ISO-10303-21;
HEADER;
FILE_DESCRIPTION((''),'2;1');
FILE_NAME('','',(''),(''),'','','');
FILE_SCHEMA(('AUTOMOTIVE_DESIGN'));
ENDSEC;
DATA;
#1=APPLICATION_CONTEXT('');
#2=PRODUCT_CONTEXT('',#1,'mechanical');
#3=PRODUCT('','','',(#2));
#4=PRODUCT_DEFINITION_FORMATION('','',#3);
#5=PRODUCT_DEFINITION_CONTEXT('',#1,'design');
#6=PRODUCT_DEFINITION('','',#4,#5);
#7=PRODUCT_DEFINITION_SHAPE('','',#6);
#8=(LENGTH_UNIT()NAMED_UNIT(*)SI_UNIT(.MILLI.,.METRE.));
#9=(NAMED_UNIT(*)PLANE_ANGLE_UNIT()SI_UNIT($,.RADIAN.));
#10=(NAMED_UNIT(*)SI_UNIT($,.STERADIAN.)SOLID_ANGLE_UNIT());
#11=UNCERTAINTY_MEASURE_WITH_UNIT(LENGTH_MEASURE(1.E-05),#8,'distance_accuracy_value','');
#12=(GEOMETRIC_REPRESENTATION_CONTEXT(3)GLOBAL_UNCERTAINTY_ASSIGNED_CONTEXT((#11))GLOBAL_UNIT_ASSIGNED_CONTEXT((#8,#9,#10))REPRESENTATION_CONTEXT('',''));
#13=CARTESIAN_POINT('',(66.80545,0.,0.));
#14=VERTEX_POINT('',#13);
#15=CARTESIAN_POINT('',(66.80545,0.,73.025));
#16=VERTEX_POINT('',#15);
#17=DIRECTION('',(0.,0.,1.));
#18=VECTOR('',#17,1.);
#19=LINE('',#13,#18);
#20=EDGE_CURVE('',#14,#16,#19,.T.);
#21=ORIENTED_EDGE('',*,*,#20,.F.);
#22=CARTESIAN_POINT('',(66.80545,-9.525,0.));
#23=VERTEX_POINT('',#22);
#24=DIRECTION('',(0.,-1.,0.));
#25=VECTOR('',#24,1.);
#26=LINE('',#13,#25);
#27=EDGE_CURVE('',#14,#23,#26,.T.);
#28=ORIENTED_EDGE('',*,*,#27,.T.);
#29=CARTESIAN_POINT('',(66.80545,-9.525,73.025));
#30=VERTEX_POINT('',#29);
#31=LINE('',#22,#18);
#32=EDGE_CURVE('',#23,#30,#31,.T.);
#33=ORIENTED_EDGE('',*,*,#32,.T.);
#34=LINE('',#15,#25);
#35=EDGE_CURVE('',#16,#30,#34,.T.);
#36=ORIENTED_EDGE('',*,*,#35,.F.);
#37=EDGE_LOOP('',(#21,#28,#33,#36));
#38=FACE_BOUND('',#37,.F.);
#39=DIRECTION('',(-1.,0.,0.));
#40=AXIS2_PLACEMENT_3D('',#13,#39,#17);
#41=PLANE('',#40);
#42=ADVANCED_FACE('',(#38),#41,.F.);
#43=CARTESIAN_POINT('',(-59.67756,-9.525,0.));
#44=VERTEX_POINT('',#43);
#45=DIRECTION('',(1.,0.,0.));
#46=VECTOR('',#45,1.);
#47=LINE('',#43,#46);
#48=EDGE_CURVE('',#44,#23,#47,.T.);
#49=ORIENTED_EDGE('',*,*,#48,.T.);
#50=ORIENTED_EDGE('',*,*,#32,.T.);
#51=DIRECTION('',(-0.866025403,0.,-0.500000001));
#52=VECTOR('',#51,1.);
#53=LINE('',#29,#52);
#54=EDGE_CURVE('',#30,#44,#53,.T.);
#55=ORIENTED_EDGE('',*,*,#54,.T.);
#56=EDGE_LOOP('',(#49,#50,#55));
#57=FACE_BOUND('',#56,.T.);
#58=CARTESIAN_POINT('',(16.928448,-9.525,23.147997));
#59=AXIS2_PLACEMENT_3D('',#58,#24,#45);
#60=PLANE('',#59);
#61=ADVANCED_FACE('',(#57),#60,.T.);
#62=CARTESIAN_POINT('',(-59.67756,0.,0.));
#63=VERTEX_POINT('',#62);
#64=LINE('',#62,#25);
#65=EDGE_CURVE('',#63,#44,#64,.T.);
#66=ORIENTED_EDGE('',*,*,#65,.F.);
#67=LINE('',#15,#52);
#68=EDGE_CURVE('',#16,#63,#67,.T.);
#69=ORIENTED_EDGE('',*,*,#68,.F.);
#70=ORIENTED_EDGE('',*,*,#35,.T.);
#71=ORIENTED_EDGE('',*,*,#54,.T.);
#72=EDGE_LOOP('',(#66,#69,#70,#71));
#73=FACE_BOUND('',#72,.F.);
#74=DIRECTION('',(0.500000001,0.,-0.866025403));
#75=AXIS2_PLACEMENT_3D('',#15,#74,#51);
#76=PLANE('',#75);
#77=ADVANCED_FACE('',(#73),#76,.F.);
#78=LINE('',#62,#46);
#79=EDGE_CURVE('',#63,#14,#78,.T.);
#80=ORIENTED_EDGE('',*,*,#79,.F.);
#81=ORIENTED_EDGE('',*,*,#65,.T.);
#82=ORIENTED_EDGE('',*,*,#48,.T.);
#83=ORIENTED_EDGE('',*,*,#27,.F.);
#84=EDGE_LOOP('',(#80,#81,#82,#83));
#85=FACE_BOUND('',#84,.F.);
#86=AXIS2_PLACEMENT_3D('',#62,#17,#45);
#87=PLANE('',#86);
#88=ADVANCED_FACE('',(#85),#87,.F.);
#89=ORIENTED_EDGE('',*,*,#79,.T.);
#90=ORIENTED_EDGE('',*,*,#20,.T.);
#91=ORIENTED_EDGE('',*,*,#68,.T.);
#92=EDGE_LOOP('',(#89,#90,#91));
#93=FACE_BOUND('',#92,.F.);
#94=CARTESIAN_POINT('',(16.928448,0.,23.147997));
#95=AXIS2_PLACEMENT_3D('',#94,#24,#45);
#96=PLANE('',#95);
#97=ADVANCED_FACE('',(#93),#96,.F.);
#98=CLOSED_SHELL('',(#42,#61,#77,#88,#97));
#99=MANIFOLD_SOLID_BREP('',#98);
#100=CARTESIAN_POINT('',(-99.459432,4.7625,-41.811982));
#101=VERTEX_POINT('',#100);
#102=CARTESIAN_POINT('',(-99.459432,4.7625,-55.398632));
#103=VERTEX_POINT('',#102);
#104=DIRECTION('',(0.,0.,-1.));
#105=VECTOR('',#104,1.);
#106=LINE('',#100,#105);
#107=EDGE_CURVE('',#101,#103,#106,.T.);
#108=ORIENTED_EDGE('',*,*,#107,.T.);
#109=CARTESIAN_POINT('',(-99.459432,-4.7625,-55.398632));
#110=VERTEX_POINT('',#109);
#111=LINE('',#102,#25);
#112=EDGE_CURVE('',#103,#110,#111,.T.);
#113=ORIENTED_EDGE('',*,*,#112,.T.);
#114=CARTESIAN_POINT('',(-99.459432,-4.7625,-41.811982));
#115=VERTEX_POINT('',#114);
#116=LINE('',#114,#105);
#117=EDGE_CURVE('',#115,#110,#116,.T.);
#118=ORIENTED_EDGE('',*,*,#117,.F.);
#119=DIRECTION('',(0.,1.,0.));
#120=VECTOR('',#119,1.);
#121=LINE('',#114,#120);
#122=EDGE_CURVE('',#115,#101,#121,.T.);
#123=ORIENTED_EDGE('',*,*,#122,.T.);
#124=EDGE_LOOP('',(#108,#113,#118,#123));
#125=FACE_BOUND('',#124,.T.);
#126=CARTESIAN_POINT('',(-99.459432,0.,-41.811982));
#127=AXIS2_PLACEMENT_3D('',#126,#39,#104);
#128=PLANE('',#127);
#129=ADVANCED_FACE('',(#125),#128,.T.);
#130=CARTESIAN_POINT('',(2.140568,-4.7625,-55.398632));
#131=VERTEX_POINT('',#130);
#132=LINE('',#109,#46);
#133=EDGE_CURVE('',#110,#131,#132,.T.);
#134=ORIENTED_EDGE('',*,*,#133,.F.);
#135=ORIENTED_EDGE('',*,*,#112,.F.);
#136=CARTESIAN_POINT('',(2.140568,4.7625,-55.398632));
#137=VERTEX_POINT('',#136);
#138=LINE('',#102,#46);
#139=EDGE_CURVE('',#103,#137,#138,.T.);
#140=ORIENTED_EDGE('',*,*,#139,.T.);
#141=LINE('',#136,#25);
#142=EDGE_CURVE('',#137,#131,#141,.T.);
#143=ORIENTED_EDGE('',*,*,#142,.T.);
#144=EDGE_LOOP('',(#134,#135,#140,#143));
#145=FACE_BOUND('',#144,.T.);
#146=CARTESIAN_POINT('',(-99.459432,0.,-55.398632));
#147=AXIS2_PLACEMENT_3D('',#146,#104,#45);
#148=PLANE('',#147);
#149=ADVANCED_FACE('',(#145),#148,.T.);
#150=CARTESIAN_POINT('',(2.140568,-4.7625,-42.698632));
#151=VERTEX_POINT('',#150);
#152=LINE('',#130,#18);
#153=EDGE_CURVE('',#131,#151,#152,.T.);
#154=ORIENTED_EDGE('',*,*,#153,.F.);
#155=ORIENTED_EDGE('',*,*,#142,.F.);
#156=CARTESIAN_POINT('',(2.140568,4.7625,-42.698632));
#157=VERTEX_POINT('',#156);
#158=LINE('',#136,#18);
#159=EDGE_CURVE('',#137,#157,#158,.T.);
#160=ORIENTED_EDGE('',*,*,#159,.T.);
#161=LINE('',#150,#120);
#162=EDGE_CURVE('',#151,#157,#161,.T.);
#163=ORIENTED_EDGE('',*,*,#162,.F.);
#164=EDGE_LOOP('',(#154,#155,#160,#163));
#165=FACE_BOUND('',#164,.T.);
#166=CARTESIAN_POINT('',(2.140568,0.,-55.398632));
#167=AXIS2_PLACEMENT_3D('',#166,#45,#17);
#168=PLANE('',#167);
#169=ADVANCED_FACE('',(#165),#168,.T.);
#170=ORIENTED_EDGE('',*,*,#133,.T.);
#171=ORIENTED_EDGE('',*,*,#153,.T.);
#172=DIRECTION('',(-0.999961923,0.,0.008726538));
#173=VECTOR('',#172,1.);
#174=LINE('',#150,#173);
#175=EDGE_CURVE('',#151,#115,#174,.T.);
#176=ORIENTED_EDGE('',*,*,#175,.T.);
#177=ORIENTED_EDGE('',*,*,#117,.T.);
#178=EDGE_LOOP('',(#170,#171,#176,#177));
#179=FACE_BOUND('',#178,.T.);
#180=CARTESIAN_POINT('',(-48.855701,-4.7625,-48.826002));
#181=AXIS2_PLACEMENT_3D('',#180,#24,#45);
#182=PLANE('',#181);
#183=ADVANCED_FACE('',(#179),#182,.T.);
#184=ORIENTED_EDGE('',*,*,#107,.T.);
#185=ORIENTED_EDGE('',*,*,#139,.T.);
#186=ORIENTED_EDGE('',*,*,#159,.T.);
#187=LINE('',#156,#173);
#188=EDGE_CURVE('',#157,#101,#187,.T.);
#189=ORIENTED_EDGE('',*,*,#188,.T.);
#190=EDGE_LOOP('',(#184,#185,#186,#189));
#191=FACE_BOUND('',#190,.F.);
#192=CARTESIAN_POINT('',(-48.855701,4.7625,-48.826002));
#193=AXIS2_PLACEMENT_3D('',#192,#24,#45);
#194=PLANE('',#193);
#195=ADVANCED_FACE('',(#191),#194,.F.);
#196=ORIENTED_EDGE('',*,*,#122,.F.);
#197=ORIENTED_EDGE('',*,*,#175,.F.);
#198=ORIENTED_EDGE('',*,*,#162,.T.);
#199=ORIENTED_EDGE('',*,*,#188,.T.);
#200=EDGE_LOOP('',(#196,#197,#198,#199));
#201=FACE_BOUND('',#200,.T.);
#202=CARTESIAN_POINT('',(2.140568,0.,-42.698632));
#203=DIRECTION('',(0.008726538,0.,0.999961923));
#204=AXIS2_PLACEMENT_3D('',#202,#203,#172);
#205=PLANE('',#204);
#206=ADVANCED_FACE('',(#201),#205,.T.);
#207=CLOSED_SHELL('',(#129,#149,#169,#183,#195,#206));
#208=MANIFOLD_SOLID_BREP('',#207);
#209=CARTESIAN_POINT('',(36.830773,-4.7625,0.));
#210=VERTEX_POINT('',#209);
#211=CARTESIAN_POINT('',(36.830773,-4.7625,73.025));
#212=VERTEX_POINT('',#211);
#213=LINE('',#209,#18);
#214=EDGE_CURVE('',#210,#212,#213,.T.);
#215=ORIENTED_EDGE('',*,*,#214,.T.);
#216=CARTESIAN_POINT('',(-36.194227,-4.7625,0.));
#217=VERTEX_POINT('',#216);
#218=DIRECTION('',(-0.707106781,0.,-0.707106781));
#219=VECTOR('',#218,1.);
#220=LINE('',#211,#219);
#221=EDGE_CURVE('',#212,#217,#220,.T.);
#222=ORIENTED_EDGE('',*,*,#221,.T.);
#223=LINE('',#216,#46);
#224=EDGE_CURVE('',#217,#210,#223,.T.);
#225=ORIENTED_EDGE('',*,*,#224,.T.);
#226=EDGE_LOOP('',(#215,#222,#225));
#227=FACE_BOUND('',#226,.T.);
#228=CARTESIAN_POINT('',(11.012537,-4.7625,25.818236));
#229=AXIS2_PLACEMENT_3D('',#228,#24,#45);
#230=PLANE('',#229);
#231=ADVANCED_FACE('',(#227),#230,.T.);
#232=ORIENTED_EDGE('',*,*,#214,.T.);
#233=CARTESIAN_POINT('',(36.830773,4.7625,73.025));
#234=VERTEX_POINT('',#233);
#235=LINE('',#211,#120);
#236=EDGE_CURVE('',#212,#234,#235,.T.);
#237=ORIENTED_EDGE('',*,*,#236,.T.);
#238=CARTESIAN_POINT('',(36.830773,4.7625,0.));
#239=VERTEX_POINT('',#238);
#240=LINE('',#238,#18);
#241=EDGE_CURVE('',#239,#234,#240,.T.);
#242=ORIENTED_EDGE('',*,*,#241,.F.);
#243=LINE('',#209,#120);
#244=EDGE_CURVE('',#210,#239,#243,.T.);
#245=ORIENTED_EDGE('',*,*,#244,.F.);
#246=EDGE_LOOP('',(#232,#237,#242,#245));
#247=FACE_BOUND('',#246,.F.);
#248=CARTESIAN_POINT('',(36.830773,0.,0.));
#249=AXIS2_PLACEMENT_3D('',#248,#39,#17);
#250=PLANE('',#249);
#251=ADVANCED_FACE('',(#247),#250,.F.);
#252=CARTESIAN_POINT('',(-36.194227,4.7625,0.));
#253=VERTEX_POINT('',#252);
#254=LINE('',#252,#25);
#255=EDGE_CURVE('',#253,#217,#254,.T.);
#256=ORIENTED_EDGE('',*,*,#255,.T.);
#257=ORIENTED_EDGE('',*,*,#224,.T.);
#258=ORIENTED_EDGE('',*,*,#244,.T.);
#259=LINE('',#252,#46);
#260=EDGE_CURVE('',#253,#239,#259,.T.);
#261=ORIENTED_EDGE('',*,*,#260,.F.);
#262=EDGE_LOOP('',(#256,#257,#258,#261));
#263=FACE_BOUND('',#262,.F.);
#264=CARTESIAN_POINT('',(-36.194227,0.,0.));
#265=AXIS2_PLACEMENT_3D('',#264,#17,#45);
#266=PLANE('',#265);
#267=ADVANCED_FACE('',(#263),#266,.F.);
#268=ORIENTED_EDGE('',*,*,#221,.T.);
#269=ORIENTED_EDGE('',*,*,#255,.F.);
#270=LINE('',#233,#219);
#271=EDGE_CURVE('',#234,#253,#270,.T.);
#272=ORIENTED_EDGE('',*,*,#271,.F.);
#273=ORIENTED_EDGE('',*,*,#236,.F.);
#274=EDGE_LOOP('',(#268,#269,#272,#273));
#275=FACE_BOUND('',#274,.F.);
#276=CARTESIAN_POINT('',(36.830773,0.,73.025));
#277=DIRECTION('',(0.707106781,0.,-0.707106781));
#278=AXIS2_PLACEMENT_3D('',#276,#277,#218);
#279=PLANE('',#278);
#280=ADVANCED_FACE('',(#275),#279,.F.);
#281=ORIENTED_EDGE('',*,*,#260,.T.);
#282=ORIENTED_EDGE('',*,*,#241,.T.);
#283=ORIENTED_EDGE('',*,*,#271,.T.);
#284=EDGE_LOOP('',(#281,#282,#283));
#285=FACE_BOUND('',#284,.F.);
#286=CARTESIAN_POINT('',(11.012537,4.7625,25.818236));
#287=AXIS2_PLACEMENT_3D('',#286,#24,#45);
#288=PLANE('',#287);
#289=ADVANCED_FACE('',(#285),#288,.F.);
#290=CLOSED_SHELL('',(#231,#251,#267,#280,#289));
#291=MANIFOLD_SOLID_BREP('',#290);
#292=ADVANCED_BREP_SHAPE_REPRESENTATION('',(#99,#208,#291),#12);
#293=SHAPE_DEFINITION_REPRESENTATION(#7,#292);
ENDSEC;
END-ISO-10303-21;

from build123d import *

# Parameters (mm, degrees)
F1_DEPTH = 9.525
F3_DEPTH = 4.7625


with BuildPart() as f1:
    # F0 (on Front) → F1 (new body)
    with BuildSketch(Plane.XZ):
        Polygon((66.80545, 73.025), (-59.67756, 0), (66.80545, 0), align=None)
    extrude(amount=F1_DEPTH)


with BuildPart() as f3:
    # F2 (on Front) → F3 (new body, symmetric)
    with BuildSketch(Plane.XZ):
        Polygon((36.830773, 73.025), (-36.194227, 0), (36.830773, 0), align=None)
        Polygon((-99.459432, -41.811982), (-99.459432, -55.398632), (2.140568, -55.398632), (2.140568, -42.698632), align=None)
    extrude(amount=F3_DEPTH, both=True)


solid = Compound([f1.part, f3.part])
